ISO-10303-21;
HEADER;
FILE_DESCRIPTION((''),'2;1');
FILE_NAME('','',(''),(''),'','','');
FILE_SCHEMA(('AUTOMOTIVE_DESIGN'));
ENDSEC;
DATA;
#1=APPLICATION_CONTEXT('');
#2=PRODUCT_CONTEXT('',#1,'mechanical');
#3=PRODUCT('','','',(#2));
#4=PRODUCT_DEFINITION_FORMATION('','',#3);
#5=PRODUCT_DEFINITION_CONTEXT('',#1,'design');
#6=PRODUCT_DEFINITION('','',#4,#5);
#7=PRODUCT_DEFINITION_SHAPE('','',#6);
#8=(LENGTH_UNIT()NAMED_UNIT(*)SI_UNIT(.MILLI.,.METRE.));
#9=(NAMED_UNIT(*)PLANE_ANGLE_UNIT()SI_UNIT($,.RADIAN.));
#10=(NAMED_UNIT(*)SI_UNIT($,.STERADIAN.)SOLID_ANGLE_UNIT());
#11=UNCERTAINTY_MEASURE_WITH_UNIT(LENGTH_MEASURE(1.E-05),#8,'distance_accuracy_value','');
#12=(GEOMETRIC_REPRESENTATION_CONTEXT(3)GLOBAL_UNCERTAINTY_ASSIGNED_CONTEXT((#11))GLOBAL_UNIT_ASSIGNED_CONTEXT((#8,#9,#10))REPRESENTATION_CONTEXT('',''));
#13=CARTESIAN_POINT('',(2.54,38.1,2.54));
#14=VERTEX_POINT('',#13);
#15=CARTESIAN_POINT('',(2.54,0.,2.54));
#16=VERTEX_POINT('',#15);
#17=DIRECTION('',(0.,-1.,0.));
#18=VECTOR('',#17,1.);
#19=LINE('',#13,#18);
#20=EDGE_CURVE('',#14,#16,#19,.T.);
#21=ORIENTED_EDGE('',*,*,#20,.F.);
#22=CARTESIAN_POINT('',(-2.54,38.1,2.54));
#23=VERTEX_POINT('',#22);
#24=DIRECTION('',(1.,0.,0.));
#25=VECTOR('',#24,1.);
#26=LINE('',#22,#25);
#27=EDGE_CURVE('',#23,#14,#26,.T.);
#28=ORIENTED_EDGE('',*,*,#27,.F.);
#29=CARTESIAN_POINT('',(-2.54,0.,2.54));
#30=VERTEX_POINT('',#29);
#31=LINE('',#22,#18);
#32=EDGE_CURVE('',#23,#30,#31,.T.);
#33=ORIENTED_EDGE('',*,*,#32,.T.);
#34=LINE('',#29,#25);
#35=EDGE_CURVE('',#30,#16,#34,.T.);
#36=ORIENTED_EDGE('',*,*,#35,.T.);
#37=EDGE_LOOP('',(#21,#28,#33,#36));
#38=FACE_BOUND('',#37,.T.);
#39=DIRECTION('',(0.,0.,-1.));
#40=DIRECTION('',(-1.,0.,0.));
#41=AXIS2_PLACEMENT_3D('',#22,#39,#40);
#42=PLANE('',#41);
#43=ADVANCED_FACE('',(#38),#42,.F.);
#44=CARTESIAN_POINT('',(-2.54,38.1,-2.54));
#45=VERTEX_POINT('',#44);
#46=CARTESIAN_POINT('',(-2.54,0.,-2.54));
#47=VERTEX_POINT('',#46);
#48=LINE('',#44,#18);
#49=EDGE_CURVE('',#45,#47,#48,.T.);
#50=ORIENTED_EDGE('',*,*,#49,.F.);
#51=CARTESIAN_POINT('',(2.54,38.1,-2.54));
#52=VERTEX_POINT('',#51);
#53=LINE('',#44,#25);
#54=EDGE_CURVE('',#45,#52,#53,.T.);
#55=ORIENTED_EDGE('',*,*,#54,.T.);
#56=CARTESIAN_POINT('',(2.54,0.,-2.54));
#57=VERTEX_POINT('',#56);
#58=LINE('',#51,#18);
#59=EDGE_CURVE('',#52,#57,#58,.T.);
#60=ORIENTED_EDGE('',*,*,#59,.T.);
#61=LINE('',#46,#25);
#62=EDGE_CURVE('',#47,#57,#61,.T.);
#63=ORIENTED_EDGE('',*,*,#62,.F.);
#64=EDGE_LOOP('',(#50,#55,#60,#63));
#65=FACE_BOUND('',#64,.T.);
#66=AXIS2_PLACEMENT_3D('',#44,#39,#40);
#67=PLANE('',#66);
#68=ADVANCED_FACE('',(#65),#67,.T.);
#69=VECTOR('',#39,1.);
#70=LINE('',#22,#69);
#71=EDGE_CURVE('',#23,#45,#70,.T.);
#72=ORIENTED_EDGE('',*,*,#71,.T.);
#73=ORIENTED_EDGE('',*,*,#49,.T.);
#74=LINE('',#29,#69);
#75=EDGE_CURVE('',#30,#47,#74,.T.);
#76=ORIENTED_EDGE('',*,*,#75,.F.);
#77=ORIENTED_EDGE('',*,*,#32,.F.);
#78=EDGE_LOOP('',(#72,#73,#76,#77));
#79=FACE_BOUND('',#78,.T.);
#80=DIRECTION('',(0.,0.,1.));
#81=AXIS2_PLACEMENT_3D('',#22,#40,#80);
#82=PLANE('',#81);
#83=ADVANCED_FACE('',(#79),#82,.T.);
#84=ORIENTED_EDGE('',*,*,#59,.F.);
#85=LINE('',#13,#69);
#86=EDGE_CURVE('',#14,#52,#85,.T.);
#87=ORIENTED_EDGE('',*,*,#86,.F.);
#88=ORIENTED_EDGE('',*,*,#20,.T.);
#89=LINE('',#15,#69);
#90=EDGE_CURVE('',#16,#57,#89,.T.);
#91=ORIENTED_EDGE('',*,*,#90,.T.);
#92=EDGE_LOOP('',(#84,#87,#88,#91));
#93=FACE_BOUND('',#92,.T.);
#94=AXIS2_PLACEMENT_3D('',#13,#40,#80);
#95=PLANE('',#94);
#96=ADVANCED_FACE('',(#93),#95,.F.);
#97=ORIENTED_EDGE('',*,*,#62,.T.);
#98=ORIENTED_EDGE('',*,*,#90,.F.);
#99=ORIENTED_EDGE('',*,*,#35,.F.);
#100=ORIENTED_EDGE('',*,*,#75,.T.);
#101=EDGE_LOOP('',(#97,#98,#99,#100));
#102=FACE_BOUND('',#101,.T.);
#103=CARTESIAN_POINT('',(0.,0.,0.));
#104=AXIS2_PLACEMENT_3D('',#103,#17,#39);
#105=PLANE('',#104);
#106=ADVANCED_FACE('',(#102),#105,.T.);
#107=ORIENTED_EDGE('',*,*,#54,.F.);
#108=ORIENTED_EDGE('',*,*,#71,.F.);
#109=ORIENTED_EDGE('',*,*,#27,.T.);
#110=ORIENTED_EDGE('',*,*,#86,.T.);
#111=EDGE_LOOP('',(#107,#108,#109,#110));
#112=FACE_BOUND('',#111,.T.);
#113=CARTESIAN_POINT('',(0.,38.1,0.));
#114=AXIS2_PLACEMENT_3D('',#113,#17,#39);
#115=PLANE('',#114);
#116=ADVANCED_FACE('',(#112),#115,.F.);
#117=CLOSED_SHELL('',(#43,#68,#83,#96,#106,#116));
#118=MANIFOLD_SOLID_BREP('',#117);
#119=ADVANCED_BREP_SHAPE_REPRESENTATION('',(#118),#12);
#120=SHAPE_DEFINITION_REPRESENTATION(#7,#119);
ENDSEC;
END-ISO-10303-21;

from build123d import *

# Parameters (mm, degrees)
SKETCH1_W           = 5.08
SKETCH1_H           = 5.08
BOSS_EXTRUDE2_DEPTH = 38.1


with BuildPart() as part:
    # Sketch1 → Boss-Extrude2 (new body)
    with BuildSketch(Plane(origin=(0, 0, 0), x_dir=(1, 0, 0), z_dir=(0, 1, 0))):
        Rectangle(SKETCH1_W, SKETCH1_H)
    extrude(amount=BOSS_EXTRUDE2_DEPTH)


solid = part.part
